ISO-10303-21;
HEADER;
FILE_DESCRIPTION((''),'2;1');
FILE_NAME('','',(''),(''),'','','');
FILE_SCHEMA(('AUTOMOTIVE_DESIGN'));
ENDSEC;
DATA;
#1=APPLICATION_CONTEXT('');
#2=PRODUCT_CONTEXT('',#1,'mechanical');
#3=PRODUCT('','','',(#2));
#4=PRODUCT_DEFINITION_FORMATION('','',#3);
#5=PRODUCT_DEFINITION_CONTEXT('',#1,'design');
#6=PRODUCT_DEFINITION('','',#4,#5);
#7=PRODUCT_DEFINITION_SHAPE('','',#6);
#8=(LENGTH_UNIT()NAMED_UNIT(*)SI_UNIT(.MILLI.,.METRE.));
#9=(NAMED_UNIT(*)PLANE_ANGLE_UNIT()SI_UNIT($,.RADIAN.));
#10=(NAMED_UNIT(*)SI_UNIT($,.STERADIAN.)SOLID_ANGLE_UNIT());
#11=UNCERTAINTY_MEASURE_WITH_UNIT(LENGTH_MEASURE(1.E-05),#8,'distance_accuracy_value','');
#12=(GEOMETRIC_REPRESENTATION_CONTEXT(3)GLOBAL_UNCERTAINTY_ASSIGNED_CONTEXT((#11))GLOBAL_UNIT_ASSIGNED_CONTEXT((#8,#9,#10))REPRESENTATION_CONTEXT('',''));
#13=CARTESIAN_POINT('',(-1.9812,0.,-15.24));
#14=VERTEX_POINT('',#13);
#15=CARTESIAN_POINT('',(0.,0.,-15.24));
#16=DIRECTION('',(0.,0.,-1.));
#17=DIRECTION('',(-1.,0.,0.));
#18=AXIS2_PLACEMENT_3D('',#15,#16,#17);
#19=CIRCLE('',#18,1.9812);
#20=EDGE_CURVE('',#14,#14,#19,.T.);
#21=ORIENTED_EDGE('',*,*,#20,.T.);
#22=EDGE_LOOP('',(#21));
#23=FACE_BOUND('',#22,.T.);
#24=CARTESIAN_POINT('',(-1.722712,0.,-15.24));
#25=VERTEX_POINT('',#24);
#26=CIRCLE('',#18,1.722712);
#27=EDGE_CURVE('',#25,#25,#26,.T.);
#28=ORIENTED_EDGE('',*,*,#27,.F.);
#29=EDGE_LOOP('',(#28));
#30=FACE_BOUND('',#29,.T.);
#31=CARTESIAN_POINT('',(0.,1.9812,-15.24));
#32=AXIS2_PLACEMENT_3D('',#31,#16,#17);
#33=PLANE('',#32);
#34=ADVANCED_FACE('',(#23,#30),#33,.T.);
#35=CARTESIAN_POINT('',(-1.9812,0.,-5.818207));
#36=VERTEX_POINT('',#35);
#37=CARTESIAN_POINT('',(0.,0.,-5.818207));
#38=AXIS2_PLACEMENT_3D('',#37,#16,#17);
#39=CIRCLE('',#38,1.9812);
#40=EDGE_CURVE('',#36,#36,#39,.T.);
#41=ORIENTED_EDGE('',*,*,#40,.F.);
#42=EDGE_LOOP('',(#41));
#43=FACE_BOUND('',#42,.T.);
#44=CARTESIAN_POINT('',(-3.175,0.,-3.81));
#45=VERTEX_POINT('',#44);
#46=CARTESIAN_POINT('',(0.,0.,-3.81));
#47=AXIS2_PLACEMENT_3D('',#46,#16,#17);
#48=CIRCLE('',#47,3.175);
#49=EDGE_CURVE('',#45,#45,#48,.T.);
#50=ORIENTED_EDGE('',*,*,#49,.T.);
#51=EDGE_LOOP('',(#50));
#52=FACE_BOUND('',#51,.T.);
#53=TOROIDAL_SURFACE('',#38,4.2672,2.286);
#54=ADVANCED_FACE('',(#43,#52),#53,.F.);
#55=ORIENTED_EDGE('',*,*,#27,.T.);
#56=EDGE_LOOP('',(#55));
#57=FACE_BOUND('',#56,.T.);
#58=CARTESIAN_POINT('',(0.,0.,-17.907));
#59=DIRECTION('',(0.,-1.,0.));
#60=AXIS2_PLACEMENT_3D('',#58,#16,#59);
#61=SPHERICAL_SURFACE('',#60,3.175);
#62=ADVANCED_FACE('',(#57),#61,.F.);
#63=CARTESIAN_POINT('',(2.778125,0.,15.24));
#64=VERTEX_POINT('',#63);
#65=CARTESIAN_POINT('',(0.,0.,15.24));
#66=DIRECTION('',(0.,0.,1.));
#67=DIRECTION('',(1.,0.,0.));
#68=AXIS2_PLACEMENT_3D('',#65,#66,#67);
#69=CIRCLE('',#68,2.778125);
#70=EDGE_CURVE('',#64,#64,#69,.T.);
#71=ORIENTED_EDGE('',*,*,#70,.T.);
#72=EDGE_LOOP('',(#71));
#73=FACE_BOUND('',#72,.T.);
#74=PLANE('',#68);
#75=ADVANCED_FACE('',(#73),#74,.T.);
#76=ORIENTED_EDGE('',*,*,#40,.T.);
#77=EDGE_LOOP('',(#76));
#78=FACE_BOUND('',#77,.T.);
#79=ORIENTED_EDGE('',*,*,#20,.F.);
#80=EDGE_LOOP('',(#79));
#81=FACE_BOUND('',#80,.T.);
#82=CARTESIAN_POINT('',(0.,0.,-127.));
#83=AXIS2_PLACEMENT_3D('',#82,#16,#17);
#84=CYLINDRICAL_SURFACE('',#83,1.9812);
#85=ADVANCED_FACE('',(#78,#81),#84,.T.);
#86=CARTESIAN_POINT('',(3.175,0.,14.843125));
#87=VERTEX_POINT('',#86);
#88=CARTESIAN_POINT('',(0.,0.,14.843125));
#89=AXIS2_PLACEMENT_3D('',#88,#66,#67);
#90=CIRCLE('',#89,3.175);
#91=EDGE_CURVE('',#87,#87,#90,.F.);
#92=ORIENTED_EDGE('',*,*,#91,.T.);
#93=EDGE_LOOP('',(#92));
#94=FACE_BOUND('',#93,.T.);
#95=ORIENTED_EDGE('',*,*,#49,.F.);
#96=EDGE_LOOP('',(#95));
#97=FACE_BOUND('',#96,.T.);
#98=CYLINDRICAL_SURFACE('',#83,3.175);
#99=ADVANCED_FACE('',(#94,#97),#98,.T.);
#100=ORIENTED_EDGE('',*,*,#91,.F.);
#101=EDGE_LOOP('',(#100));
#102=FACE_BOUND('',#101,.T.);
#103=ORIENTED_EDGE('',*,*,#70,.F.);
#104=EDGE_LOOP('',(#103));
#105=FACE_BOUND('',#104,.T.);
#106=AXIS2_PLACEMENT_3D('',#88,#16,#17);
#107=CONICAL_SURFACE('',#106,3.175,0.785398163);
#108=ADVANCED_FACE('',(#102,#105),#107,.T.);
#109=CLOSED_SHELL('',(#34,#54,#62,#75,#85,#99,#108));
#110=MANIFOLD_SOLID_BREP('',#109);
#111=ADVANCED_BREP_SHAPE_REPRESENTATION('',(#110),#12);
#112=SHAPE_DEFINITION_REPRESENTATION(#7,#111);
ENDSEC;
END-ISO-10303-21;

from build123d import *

# Parameters (mm, degrees)
CHAFL_N1_SIZE = 0.396875


with BuildPart() as part:
    # Croquis1 → Revolución1 (revolve)
    with BuildSketch(Plane(origin=(0, 0, 0), x_dir=(0, 0, -1), z_dir=(1, 0, 0)), mode=Mode.PRIVATE) as revoluci_n1_sk:
        with BuildLine():
            Line((-15.24, 0), (-15.24, 3.175))
            Line((-15.24, 3.175), (3.81, 3.175))
            ThreePointArc((3.81, 3.175), (4.650083071, 2.302185344), (5.818206951, 1.9812))
            Line((5.818206951, 1.9812), (15.24, 1.9812))
            Line((15.24, 1.9812), (15.24, 0))
            Line((15.24, 0), (-15.24, 0))
        make_face()
    revolve(revoluci_n1_sk.sketch.rotate(Axis((0, 0, -127), (0, 0, 1)), 90), axis=Axis((0, 0, -127), (0, 0, 1)))

    # Croquis4 → Cortar-Revolución1 (revolve, cut)
    with BuildSketch(Plane(origin=(0, 0, 0), x_dir=(0, 0, -1), z_dir=(1, 0, 0)), mode=Mode.PRIVATE) as cortar_revoluci_n1_sk:
        with BuildLine():
            ThreePointArc((15.24, 1.722711816), (14.861646983, 0.898025612), (14.732, 0))
            Line((14.732, 0), (15.24, 0))
            Line((15.24, 0), (15.24, 1.722711816))
        make_face()
        with BuildLine():
            ThreePointArc((14.732, 0), (14.861646983, 0.898025612), (15.24, 1.722711816))
            Line((15.24, 1.722711816), (15.24, 0))
            Line((15.24, 0), (14.732, 0))
        make_face()
    revolve(cortar_revoluci_n1_sk.sketch.rotate(Axis((0, 0, -15.24), (0, 0, 1)), 180), axis=Axis((0, 0, -15.24), (0, 0, 1)), mode=Mode.SUBTRACT)

    # Chaflán1
    chafl_n1_edges = [part.edges().sort_by_distance(p)[0] for p in [
        (3.175, 0, 15.24),
    ]]
    chamfer(chafl_n1_edges, length=CHAFL_N1_SIZE)


solid = part.part
